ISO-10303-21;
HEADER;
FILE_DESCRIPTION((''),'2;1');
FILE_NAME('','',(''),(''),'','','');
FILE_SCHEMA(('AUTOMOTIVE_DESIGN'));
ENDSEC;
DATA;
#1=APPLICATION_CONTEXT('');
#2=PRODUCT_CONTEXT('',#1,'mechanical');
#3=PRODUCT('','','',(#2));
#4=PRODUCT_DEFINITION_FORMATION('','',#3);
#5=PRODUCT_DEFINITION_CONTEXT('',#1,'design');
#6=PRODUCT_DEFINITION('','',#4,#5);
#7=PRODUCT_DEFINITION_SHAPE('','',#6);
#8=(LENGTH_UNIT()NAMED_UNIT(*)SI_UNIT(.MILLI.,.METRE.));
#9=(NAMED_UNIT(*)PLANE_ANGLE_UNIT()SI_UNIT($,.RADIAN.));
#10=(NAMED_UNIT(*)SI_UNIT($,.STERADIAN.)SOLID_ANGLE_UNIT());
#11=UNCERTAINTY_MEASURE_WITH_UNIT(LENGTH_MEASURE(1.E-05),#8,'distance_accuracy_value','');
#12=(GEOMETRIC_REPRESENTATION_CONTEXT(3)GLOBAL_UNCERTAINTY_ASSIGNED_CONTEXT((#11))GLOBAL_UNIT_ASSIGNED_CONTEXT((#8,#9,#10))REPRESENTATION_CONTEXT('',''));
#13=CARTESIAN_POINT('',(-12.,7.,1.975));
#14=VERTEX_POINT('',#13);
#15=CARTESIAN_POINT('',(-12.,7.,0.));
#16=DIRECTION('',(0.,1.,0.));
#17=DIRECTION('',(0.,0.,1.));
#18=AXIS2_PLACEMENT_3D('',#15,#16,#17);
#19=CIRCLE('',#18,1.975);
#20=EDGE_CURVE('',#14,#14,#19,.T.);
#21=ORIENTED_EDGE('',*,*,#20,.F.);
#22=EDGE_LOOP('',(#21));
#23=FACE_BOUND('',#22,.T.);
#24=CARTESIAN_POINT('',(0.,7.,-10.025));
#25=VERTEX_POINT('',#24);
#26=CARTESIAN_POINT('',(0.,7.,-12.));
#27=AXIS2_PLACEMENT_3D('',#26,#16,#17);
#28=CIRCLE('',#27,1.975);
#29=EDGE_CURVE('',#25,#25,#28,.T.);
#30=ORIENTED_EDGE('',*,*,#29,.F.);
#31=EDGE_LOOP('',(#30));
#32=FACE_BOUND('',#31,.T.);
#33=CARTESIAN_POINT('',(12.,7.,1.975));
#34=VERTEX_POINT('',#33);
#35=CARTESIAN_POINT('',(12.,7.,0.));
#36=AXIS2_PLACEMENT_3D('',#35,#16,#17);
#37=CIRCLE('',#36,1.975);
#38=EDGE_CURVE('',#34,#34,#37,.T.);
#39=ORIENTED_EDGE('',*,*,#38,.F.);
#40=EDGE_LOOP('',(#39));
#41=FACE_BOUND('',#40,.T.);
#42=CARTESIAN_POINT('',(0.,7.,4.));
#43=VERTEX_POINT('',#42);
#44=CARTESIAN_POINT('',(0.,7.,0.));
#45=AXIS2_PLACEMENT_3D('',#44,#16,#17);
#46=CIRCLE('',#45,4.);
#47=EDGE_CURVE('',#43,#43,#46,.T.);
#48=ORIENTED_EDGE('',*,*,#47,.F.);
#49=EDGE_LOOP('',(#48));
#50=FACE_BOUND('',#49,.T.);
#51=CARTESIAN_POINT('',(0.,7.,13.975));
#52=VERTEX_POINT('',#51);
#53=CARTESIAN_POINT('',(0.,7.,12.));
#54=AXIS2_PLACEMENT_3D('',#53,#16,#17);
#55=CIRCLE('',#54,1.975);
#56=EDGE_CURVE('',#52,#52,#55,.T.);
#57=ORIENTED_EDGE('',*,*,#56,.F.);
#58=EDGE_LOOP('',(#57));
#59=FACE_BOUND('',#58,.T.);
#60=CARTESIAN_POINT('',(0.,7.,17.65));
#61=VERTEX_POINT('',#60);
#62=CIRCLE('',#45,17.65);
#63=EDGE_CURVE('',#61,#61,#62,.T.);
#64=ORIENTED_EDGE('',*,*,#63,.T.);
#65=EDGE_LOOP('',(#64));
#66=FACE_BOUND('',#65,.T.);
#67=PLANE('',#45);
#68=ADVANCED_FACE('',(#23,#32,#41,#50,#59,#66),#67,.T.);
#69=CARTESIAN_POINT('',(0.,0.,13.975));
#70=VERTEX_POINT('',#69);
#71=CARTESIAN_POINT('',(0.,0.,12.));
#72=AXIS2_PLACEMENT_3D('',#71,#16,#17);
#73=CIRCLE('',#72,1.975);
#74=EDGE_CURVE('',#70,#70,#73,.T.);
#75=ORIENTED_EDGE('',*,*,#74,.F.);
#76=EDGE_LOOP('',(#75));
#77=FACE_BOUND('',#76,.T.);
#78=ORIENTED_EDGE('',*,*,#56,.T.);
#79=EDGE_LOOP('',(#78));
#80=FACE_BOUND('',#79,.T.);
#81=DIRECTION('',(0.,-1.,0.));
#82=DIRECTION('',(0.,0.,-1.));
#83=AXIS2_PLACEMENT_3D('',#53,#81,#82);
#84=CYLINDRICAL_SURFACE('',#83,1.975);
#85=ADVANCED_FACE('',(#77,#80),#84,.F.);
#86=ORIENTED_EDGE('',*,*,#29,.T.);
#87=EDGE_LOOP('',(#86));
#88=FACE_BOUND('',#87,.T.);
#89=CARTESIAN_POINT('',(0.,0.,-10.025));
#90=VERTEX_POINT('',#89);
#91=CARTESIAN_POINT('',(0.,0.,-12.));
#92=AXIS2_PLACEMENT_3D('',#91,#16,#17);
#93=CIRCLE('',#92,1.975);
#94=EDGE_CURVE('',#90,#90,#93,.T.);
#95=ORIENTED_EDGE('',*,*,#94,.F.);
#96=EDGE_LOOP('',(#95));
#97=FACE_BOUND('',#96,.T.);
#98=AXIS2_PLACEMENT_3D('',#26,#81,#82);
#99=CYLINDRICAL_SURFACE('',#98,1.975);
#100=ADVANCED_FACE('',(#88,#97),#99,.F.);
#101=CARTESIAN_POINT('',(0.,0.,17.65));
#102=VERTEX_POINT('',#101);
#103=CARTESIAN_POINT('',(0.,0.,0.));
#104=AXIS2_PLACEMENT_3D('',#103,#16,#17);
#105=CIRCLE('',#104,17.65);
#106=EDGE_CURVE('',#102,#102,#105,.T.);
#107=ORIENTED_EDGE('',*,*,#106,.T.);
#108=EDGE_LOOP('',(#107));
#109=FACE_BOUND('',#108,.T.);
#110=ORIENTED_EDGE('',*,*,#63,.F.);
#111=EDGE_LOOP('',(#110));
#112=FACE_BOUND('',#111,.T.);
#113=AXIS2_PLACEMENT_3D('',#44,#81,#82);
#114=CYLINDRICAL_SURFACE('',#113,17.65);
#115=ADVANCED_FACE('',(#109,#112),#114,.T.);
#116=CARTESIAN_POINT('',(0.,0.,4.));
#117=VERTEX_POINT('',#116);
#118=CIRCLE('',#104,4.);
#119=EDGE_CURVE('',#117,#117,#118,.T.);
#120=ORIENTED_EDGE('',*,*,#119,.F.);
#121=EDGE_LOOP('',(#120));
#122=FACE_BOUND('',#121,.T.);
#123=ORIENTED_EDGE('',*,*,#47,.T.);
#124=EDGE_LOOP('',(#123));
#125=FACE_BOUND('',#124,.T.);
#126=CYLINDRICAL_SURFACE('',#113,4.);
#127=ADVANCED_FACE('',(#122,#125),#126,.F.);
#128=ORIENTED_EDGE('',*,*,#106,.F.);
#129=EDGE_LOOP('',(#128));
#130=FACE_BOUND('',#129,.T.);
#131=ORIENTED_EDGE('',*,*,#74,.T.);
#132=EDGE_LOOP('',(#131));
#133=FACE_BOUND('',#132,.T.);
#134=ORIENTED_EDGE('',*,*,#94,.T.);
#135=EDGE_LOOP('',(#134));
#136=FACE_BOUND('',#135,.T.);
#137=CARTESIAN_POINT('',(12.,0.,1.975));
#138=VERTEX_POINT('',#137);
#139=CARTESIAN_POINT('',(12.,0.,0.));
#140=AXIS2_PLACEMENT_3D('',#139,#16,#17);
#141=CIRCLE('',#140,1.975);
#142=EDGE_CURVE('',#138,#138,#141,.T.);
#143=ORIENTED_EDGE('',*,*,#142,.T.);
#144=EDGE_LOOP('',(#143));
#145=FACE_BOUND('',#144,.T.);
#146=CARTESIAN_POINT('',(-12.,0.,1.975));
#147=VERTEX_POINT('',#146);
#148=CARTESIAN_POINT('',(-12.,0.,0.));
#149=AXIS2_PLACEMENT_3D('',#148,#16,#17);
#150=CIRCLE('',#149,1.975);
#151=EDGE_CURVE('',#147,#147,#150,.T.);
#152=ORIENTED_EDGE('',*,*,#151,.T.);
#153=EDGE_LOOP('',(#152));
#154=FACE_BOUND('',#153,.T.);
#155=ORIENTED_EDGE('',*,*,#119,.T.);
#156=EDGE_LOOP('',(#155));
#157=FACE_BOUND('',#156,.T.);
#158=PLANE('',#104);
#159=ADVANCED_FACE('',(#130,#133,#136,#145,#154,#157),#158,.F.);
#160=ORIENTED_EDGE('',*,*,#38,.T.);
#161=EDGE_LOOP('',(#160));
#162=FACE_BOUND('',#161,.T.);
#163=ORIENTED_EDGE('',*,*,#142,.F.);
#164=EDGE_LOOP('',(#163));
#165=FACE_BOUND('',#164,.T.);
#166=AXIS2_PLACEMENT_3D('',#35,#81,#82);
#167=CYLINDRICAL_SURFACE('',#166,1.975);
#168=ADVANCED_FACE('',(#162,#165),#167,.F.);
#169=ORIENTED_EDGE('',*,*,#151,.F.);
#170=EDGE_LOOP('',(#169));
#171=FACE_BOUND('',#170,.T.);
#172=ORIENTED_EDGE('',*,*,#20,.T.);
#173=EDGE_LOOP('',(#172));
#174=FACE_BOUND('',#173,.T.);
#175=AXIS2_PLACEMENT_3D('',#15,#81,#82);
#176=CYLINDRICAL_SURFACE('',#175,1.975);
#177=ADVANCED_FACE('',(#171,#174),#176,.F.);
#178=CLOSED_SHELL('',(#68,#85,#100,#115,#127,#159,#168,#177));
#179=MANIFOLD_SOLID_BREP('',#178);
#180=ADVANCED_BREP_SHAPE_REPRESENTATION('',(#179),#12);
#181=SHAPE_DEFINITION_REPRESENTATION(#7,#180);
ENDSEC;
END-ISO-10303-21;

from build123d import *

# Parameters (mm, degrees)
SKETCH1_R           = 17.65
SKETCH1_R_2         = 4
SKETCH1_R_3         = 1.975
BOSS_EXTRUDE1_DEPTH = 7


with BuildPart() as part:
    # Sketch1 → Boss-Extrude1 (new body)
    with BuildSketch(Plane(origin=(0, 0, 0), x_dir=(1, 0, 0), z_dir=(0, 1, 0))):
        with Locations(Location((0, 0, 0), (0, 0, 270))):
            Circle(SKETCH1_R)
        with Locations(Location((0, 0, 0), (0, 0, 270))):
            Circle(SKETCH1_R_2, mode=Mode.SUBTRACT)
        with Locations(Location((0, 12, 0), (0, 0, 270))):
            Circle(SKETCH1_R_3, mode=Mode.SUBTRACT)
        with Locations(Location((12, 0, 0), (0, 0, 270))):
            Circle(SKETCH1_R_3, mode=Mode.SUBTRACT)
        with Locations(Location((0, -12, 0), (0, 0, 270))):
            Circle(SKETCH1_R_3, mode=Mode.SUBTRACT)
        with Locations(Location((-12, 0, 0), (0, 0, 270))):
            Circle(SKETCH1_R_3, mode=Mode.SUBTRACT)
    extrude(amount=BOSS_EXTRUDE1_DEPTH)


solid = part.part
